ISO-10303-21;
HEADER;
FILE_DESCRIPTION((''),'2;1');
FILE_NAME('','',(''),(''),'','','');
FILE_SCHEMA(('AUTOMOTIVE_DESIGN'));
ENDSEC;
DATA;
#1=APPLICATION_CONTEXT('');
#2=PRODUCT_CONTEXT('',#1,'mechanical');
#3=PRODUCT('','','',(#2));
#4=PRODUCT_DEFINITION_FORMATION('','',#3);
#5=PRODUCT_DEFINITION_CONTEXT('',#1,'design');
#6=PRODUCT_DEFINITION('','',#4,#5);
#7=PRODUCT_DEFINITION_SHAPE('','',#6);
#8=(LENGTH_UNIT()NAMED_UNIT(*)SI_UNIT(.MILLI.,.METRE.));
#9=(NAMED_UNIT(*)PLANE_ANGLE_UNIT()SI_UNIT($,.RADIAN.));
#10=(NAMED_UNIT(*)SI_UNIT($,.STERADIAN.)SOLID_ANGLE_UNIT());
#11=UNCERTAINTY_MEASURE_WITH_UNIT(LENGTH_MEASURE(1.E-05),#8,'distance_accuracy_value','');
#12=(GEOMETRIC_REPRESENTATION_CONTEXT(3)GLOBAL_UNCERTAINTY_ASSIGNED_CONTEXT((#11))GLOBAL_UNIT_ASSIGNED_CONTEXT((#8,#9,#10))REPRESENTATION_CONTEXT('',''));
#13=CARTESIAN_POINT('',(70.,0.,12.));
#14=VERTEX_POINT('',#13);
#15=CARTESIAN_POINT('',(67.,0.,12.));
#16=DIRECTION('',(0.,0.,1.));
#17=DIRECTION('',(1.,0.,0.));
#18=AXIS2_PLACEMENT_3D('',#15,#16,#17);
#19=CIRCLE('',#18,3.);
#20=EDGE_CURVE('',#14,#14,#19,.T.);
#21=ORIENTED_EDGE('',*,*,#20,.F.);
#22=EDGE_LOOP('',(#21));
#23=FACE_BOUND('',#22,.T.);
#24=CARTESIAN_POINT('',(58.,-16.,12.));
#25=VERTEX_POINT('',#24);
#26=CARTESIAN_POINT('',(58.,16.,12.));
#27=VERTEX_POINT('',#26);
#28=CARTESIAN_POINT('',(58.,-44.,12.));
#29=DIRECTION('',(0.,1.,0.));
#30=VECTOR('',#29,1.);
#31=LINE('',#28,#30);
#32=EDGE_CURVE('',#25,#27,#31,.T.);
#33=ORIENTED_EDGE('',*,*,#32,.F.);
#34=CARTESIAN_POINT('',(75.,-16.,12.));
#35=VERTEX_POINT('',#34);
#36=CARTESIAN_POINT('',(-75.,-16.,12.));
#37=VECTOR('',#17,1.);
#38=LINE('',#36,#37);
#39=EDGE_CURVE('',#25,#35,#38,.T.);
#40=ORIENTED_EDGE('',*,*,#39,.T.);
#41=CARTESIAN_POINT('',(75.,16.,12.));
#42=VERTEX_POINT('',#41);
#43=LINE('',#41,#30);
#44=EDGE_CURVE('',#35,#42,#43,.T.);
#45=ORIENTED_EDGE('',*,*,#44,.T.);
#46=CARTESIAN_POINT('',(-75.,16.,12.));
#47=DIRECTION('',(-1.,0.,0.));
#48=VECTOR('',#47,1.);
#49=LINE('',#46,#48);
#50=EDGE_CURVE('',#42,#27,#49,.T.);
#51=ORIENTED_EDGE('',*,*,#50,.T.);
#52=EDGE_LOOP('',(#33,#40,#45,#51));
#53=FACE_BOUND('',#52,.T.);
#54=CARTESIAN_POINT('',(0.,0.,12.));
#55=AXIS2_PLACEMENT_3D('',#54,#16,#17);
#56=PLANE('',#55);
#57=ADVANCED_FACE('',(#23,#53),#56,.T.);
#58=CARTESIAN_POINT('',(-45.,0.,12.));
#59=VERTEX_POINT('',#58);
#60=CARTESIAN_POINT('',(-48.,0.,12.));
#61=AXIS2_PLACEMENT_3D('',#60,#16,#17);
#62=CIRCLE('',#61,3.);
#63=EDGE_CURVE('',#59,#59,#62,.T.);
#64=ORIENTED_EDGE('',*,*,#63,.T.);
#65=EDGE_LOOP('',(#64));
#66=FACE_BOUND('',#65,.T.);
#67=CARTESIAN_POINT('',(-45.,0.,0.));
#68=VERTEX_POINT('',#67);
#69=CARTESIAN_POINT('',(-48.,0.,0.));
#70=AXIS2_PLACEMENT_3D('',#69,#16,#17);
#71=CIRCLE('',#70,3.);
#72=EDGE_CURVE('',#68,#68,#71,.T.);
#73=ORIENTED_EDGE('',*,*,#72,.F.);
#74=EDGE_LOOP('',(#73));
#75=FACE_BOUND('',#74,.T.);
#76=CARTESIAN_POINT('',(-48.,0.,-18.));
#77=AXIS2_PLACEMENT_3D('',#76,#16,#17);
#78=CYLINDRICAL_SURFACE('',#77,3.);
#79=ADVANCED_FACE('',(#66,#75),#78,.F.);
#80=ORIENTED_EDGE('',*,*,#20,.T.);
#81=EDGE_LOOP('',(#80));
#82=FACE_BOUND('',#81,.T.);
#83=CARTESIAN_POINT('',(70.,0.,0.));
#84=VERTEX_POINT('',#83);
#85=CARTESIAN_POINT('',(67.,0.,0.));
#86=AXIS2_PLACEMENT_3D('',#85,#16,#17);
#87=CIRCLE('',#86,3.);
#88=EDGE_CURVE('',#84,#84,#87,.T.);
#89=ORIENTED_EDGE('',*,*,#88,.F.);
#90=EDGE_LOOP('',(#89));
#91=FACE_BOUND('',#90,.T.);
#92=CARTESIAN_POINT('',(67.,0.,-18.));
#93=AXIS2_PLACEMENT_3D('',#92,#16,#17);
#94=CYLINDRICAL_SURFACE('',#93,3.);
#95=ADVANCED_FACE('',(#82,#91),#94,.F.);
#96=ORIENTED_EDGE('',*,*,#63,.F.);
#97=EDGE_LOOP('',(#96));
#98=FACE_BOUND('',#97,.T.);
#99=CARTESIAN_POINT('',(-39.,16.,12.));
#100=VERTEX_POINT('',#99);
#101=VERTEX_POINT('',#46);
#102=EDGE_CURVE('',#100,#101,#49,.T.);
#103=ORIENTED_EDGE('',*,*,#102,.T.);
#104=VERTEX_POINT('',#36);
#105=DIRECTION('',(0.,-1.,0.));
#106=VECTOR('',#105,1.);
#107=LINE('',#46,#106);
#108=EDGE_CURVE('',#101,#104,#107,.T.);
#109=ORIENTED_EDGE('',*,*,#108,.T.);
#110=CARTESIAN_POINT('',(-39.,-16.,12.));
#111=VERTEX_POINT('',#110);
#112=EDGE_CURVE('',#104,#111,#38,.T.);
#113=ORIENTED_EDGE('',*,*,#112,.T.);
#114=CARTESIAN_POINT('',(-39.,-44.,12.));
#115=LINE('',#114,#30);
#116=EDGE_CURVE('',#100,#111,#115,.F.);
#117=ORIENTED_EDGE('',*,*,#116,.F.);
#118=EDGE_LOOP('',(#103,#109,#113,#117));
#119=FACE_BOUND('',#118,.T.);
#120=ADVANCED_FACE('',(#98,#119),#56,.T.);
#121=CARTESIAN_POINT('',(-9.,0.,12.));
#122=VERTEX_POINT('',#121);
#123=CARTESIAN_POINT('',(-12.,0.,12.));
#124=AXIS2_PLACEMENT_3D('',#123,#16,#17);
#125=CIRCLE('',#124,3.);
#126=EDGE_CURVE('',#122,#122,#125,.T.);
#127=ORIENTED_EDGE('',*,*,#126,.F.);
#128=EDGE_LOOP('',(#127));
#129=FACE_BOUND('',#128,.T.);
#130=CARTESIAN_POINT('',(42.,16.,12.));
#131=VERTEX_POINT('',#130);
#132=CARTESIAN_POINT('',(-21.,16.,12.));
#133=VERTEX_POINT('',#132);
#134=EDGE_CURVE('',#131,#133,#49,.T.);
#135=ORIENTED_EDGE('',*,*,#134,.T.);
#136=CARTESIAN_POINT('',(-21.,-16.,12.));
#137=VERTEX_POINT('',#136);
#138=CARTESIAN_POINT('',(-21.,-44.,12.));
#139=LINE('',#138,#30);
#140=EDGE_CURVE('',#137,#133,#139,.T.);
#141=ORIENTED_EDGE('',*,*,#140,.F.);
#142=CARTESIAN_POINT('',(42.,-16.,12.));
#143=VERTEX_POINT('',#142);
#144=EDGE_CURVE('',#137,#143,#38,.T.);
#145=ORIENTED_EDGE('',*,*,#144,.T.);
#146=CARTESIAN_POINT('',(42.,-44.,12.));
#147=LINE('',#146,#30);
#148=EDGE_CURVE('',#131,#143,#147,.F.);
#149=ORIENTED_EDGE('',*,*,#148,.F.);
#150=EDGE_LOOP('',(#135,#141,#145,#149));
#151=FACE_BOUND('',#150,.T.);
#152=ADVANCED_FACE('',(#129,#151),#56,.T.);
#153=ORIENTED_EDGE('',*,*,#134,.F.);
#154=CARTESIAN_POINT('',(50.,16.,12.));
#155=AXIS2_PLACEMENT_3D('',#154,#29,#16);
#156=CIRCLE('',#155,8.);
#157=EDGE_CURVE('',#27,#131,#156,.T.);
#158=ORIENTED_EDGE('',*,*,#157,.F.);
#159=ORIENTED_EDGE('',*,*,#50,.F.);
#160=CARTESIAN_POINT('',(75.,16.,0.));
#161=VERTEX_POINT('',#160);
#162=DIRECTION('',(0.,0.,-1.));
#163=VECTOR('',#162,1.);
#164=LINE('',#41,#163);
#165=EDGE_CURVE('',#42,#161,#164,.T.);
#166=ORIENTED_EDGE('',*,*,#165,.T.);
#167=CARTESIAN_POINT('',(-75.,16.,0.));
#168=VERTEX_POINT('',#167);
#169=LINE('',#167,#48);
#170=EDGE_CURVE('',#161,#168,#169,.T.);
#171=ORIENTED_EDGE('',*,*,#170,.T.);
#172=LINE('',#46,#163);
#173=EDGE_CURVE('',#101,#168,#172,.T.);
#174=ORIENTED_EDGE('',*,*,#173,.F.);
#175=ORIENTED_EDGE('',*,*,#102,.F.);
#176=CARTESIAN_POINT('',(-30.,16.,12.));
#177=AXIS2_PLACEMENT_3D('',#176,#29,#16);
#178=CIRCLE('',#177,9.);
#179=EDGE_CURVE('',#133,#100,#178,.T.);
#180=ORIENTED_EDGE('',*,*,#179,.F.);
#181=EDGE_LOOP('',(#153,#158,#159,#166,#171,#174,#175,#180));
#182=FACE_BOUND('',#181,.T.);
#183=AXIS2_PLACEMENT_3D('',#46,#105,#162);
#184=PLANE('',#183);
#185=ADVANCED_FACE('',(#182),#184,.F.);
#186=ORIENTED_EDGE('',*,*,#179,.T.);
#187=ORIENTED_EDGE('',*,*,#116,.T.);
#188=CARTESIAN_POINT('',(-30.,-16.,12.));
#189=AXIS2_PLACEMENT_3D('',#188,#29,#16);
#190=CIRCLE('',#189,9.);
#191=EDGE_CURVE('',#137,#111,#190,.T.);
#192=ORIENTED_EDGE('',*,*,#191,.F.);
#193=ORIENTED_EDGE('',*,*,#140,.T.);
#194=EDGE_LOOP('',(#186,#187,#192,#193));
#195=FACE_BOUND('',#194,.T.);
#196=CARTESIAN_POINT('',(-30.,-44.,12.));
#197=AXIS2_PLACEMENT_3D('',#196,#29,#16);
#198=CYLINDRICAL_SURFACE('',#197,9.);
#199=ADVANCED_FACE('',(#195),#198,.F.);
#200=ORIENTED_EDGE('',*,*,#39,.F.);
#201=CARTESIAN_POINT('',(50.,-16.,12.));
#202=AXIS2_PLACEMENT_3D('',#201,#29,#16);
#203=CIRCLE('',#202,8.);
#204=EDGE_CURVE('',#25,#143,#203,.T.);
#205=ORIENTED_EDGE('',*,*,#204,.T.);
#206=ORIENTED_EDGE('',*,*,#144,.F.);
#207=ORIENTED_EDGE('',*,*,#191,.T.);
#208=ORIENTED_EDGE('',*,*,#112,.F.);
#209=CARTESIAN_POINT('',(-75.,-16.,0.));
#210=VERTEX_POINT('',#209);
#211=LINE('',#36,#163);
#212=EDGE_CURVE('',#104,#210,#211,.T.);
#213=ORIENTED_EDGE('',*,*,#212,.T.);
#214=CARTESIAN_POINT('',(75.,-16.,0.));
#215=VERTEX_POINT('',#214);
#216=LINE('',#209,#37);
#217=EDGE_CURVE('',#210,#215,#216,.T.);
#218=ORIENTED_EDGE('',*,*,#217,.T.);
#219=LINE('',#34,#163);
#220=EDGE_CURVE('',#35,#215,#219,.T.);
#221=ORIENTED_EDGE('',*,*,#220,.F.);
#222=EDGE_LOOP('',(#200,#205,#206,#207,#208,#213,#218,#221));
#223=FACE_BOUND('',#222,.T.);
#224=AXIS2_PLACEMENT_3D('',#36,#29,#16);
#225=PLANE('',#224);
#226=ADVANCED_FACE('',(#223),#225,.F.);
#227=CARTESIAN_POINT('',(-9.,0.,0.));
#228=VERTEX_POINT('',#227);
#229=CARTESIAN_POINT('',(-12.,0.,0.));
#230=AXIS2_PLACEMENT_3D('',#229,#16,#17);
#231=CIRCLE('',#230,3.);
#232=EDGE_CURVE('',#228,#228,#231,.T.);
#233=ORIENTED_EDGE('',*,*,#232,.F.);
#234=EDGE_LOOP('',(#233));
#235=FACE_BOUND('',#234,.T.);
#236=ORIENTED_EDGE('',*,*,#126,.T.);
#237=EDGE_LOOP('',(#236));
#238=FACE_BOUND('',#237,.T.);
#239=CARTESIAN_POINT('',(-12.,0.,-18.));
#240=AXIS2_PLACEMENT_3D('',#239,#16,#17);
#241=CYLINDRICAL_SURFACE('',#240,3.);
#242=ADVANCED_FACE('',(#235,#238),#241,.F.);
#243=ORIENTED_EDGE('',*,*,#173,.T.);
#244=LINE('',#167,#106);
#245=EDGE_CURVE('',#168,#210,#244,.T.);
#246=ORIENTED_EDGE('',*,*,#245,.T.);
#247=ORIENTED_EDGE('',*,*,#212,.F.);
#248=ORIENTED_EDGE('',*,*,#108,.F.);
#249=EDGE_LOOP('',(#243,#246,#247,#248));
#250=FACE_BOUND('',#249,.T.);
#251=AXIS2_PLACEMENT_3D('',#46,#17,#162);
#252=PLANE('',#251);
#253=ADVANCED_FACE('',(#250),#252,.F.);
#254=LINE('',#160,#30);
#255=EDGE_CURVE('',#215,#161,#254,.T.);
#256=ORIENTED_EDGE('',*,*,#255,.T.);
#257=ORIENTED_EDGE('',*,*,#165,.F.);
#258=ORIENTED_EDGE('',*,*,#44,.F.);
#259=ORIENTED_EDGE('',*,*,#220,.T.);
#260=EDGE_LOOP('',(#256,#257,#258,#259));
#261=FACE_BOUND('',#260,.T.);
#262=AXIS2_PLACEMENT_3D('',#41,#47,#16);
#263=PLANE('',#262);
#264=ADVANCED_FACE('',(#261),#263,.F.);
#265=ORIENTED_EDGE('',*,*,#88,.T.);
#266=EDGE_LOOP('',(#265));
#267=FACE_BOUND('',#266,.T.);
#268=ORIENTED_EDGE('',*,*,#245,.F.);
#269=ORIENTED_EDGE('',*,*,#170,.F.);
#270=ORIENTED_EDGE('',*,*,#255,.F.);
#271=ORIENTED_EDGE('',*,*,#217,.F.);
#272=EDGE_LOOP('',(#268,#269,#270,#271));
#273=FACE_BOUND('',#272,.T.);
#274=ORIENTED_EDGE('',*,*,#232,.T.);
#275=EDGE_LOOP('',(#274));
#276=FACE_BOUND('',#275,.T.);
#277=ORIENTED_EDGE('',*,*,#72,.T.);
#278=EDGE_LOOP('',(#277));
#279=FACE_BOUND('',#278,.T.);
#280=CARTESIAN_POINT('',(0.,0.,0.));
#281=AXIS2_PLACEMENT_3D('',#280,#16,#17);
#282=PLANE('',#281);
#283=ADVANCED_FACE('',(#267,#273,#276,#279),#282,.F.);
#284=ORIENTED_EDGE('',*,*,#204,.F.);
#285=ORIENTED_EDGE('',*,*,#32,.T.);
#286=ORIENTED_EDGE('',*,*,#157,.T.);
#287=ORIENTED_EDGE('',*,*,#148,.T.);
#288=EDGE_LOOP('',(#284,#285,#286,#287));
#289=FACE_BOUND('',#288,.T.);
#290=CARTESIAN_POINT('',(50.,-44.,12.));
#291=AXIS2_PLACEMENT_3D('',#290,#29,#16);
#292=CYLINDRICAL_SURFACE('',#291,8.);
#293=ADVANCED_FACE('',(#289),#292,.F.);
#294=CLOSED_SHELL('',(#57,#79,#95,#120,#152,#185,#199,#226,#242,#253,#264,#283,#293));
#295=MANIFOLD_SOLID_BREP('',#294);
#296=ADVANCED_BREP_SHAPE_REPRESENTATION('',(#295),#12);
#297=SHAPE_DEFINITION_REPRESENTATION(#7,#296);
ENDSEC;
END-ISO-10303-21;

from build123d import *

# Parameters (mm, degrees)
IZIM1_W                     = 150
IZIM1_H                     = 32
Y_KSEKLIK_EKSTR_ZYON1_DEPTH = 12
IZIM2_R                     = 8
IZIM2_R_2                   = 9
KES_EKSTR_ZYON1_DEPTH       = 60
IZIM3_R                     = 3
KES_EKSTR_ZYON2_DEPTH       = 30


with BuildPart() as part:
    # Çizim1 → Yükseklik-Ekstrüzyon1 (new body)
    with BuildSketch(Plane.XY):
        Rectangle(IZIM1_W, IZIM1_H)
    extrude(amount=Y_KSEKLIK_EKSTR_ZYON1_DEPTH)

    # Çizim2 → Kes-Ekstrüzyon1 (cut)
    with BuildSketch(Plane(origin=(0, 16, 0), x_dir=(1, 0, 0), z_dir=(0, 1, 0))):
        with Locations((50, -12)):
            Circle(IZIM2_R)
        with Locations((-30, -12)):
            Circle(IZIM2_R_2)
    extrude(amount=-KES_EKSTR_ZYON1_DEPTH, mode=Mode.SUBTRACT)

    # Çizim3 → Kes-Ekstrüzyon2 (cut)
    with BuildSketch(Plane.XY.offset(12)):
        with Locations((67, 0)):
            Circle(IZIM3_R)
        with Locations((-48, 0)):
            Circle(IZIM3_R)
        with Locations((-12, 0)):
            Circle(IZIM3_R)
    extrude(amount=-KES_EKSTR_ZYON2_DEPTH, mode=Mode.SUBTRACT)


solid = part.part
